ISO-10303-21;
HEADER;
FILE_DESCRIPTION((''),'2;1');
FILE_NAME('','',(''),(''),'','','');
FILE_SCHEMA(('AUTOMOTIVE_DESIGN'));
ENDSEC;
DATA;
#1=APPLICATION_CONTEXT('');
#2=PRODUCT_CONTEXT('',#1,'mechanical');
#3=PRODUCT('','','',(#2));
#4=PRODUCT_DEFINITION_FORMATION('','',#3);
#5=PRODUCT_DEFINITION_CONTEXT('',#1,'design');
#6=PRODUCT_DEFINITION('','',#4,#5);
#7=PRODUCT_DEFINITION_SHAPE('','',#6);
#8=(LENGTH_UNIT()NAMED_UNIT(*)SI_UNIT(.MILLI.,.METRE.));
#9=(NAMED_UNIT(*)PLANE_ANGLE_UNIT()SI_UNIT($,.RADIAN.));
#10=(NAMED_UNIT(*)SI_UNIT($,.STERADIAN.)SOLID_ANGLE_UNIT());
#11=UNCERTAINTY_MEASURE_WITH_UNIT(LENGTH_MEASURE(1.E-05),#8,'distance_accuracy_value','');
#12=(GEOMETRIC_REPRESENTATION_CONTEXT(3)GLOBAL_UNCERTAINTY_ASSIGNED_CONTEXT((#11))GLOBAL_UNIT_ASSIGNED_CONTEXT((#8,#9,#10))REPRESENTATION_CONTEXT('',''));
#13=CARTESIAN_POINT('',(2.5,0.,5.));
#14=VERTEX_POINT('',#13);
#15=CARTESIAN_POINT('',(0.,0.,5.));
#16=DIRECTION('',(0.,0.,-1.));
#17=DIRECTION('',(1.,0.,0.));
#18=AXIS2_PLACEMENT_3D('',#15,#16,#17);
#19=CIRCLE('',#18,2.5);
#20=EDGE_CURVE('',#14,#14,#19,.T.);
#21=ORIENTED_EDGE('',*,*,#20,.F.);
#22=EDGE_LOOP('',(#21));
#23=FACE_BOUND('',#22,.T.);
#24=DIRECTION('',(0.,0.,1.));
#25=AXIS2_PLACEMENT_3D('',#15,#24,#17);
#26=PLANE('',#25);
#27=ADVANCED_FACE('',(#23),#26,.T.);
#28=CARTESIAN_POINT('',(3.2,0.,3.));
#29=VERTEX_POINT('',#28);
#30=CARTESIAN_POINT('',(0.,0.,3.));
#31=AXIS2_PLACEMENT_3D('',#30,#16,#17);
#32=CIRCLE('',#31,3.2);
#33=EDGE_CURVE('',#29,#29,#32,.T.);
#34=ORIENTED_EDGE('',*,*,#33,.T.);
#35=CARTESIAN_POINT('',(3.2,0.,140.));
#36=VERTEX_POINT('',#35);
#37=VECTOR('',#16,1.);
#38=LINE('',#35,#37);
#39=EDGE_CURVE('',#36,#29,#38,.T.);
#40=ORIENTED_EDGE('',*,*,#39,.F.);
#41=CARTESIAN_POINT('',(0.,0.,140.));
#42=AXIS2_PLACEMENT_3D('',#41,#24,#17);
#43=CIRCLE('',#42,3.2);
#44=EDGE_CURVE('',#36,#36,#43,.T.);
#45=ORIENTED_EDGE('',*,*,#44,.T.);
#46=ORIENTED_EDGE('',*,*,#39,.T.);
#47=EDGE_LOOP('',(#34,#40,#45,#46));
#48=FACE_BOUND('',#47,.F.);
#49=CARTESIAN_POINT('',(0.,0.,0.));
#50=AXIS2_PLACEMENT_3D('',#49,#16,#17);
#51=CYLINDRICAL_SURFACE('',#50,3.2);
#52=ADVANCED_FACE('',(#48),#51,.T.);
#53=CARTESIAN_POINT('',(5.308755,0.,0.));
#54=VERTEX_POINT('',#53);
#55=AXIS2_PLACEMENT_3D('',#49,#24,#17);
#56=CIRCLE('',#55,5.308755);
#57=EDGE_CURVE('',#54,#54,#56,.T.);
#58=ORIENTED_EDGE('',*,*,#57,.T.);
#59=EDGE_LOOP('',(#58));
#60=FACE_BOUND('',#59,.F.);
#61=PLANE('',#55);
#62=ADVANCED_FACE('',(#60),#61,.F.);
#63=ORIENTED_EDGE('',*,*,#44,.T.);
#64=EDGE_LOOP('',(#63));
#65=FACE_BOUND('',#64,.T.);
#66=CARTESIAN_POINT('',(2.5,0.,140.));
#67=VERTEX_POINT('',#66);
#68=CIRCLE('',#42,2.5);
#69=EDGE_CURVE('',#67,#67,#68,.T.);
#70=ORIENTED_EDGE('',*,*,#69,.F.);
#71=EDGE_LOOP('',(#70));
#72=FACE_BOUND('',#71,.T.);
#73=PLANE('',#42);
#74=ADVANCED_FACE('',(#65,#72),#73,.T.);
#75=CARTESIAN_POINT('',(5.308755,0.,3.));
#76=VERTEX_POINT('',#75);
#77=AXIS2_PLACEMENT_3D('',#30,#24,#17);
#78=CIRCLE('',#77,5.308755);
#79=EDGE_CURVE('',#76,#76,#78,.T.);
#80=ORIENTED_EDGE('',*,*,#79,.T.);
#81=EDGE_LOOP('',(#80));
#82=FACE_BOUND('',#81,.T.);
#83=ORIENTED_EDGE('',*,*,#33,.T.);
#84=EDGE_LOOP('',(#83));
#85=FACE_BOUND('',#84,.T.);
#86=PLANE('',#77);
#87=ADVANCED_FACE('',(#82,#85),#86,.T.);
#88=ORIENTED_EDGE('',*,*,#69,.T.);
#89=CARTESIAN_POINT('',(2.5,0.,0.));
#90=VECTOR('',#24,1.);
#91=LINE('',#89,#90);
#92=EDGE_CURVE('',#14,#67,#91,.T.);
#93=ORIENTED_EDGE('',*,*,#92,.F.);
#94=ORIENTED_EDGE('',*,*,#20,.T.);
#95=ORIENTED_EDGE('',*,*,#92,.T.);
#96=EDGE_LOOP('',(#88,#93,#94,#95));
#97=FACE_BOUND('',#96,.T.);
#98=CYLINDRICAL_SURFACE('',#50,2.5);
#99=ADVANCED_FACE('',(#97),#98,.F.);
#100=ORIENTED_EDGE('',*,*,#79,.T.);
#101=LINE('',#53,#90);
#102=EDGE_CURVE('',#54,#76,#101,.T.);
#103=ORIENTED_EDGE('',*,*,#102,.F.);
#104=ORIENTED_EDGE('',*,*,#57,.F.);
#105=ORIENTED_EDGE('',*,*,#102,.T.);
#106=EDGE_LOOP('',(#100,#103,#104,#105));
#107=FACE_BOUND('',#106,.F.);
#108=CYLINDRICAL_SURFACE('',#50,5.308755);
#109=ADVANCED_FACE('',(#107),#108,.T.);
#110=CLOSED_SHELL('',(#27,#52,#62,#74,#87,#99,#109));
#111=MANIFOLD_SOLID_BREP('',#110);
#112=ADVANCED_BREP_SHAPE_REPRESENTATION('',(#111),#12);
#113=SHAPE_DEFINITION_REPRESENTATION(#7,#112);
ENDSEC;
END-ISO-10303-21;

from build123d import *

# Parameters (mm, degrees)
F0_R     = 5.308755
F0_R_2   = 3.2
F0_R_3   = 2.5
F1_DEPTH = 3
F2_DEPTH = 5
F3_DEPTH = 140


with BuildPart() as f1:
    # F0 (on Top) → F1 (new body)
    with BuildSketch(Plane.XY):
        Circle(F0_R)
        Circle(F0_R_2, mode=Mode.SUBTRACT)
        Circle(F0_R_2)
        Circle(F0_R_3, mode=Mode.SUBTRACT)
        Circle(F0_R_3)
    extrude(amount=F1_DEPTH)

    # F0 (on Top) → F2 (join)
    with BuildSketch(Plane.XY):
        Circle(F0_R_2)
        Circle(F0_R_3, mode=Mode.SUBTRACT)
        Circle(F0_R_3)
    extrude(amount=F2_DEPTH)

    # F0 (on Top) → F3 (join)
    with BuildSketch(Plane.XY):
        Circle(F0_R_2)
        Circle(F0_R_3, mode=Mode.SUBTRACT)
    extrude(amount=F3_DEPTH)


solid = f1.part
